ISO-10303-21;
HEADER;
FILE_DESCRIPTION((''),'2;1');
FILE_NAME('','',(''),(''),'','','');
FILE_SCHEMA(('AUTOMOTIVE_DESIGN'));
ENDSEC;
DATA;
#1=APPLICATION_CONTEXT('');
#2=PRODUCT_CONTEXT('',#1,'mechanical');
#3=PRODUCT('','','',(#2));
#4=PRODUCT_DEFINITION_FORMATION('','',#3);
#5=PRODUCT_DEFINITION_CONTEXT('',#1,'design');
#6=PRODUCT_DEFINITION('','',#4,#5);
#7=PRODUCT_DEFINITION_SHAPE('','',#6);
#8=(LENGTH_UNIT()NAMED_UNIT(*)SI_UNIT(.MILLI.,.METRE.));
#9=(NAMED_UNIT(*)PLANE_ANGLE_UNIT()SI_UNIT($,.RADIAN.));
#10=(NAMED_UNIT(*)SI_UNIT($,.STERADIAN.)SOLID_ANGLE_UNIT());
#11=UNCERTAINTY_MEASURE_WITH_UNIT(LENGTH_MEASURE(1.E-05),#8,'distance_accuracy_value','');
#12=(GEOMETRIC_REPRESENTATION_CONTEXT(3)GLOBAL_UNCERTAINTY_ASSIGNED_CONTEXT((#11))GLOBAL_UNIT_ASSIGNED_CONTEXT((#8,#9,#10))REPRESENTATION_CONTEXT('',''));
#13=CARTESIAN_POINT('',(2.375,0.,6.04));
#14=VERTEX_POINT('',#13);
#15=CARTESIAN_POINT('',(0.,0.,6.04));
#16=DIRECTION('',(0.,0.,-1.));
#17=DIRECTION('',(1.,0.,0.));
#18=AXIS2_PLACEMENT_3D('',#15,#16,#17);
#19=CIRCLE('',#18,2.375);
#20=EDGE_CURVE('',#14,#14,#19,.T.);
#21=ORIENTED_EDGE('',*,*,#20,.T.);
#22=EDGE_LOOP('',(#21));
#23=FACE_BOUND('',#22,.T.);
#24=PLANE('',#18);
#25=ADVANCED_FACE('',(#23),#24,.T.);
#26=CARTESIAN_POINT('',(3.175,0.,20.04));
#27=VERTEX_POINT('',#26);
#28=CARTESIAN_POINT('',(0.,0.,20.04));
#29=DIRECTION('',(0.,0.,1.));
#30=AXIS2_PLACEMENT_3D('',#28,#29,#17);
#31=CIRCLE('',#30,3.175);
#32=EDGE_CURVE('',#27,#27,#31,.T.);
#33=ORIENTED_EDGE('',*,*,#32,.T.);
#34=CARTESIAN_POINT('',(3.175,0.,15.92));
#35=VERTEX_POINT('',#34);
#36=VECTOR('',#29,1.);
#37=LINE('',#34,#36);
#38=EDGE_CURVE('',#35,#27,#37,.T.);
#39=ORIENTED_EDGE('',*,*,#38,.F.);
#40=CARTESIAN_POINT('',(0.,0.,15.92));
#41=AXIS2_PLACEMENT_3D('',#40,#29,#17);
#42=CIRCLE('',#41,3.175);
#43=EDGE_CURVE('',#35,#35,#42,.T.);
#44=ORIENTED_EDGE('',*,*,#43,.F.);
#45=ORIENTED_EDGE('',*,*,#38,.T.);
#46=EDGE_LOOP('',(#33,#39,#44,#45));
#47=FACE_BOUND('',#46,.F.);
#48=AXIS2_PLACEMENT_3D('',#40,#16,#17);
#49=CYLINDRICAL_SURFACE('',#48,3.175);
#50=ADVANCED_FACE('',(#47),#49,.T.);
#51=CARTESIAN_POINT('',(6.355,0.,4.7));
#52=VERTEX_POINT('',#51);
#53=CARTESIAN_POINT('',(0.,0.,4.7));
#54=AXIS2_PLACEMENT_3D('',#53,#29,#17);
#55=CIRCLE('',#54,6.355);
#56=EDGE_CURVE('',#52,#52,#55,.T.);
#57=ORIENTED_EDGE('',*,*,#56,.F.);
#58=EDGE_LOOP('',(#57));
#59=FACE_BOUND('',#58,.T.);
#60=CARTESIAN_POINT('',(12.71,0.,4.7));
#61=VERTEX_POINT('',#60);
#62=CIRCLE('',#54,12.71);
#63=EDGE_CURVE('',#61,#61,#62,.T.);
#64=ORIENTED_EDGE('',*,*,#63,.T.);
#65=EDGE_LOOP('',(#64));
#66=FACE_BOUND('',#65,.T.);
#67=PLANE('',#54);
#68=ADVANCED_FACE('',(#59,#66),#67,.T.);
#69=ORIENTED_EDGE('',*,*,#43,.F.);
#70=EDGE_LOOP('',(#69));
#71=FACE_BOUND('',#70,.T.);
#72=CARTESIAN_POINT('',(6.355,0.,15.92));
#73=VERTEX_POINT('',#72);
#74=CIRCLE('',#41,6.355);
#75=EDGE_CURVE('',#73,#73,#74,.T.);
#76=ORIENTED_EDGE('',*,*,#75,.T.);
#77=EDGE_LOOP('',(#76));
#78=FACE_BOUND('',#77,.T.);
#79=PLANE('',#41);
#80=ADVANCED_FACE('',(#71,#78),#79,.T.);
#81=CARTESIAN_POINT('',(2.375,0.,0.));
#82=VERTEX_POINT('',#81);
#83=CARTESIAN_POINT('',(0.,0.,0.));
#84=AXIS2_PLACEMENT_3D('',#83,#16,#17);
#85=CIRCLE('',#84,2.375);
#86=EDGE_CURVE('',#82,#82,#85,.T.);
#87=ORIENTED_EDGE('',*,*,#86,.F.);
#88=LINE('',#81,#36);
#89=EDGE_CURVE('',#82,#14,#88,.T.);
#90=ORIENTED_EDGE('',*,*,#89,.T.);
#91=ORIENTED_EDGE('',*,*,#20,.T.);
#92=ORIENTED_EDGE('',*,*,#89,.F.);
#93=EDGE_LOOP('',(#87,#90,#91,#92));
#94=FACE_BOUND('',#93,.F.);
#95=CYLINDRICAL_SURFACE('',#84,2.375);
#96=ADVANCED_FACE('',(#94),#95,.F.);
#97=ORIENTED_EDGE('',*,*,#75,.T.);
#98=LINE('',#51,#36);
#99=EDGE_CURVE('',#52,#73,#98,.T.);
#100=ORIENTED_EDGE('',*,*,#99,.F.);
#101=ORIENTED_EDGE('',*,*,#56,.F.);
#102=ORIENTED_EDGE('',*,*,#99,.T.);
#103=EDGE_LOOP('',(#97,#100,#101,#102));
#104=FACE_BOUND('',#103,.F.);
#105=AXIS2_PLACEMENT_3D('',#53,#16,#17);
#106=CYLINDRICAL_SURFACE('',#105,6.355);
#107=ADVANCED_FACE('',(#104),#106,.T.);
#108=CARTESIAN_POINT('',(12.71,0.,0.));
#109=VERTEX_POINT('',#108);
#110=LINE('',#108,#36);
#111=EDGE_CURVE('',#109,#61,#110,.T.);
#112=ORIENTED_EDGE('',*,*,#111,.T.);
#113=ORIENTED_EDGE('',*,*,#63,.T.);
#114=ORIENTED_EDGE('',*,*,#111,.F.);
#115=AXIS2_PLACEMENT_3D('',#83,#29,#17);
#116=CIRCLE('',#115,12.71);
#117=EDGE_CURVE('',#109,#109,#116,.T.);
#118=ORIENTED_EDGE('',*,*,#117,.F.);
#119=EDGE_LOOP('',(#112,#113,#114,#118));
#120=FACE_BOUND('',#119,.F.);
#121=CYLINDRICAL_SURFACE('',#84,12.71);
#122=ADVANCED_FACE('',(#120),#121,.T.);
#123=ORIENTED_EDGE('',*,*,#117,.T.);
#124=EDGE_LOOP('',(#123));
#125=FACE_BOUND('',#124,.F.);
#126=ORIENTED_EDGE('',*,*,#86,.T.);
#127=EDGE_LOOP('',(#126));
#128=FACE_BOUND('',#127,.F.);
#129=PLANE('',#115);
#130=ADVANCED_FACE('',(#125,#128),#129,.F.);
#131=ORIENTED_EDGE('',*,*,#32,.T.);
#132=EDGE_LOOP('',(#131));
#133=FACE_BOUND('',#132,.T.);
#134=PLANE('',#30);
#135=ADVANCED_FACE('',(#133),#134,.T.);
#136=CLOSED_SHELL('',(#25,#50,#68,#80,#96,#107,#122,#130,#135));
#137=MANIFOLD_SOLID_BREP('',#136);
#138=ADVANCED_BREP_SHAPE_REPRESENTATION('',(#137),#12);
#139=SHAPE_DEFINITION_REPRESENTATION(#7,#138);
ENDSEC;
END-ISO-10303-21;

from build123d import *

# Parameters (mm, degrees)
F0_R     = 12.71
F1_DEPTH = 4.7
F2_R     = 6.355
F3_DEPTH = 11.22
F4_R     = 3.175
F5_DEPTH = 4.12
F6_R     = 2.375
F7_DEPTH = 6.04


with BuildPart() as f1:
    # F0 (on Top) → F1 (new body)
    with BuildSketch(Plane.XY):
        Circle(F0_R)
    extrude(amount=F1_DEPTH)

    # F2 (on face) → F3 (join)
    with BuildSketch(Plane.XY.offset(4.7)):
        Circle(F2_R)
    extrude(amount=F3_DEPTH)

    # F4 (on face) → F5 (join)
    with BuildSketch(Plane.XY.offset(15.92)):
        Circle(F4_R)
    extrude(amount=F5_DEPTH)

    # F6 (on face) → F7 (cut)
    with BuildSketch(Plane(origin=(0, 0, 0), x_dir=(1, 0, 0), z_dir=(0, 0, -1))):
        Circle(F6_R)
    extrude(amount=-F7_DEPTH, mode=Mode.SUBTRACT)


solid = f1.part
